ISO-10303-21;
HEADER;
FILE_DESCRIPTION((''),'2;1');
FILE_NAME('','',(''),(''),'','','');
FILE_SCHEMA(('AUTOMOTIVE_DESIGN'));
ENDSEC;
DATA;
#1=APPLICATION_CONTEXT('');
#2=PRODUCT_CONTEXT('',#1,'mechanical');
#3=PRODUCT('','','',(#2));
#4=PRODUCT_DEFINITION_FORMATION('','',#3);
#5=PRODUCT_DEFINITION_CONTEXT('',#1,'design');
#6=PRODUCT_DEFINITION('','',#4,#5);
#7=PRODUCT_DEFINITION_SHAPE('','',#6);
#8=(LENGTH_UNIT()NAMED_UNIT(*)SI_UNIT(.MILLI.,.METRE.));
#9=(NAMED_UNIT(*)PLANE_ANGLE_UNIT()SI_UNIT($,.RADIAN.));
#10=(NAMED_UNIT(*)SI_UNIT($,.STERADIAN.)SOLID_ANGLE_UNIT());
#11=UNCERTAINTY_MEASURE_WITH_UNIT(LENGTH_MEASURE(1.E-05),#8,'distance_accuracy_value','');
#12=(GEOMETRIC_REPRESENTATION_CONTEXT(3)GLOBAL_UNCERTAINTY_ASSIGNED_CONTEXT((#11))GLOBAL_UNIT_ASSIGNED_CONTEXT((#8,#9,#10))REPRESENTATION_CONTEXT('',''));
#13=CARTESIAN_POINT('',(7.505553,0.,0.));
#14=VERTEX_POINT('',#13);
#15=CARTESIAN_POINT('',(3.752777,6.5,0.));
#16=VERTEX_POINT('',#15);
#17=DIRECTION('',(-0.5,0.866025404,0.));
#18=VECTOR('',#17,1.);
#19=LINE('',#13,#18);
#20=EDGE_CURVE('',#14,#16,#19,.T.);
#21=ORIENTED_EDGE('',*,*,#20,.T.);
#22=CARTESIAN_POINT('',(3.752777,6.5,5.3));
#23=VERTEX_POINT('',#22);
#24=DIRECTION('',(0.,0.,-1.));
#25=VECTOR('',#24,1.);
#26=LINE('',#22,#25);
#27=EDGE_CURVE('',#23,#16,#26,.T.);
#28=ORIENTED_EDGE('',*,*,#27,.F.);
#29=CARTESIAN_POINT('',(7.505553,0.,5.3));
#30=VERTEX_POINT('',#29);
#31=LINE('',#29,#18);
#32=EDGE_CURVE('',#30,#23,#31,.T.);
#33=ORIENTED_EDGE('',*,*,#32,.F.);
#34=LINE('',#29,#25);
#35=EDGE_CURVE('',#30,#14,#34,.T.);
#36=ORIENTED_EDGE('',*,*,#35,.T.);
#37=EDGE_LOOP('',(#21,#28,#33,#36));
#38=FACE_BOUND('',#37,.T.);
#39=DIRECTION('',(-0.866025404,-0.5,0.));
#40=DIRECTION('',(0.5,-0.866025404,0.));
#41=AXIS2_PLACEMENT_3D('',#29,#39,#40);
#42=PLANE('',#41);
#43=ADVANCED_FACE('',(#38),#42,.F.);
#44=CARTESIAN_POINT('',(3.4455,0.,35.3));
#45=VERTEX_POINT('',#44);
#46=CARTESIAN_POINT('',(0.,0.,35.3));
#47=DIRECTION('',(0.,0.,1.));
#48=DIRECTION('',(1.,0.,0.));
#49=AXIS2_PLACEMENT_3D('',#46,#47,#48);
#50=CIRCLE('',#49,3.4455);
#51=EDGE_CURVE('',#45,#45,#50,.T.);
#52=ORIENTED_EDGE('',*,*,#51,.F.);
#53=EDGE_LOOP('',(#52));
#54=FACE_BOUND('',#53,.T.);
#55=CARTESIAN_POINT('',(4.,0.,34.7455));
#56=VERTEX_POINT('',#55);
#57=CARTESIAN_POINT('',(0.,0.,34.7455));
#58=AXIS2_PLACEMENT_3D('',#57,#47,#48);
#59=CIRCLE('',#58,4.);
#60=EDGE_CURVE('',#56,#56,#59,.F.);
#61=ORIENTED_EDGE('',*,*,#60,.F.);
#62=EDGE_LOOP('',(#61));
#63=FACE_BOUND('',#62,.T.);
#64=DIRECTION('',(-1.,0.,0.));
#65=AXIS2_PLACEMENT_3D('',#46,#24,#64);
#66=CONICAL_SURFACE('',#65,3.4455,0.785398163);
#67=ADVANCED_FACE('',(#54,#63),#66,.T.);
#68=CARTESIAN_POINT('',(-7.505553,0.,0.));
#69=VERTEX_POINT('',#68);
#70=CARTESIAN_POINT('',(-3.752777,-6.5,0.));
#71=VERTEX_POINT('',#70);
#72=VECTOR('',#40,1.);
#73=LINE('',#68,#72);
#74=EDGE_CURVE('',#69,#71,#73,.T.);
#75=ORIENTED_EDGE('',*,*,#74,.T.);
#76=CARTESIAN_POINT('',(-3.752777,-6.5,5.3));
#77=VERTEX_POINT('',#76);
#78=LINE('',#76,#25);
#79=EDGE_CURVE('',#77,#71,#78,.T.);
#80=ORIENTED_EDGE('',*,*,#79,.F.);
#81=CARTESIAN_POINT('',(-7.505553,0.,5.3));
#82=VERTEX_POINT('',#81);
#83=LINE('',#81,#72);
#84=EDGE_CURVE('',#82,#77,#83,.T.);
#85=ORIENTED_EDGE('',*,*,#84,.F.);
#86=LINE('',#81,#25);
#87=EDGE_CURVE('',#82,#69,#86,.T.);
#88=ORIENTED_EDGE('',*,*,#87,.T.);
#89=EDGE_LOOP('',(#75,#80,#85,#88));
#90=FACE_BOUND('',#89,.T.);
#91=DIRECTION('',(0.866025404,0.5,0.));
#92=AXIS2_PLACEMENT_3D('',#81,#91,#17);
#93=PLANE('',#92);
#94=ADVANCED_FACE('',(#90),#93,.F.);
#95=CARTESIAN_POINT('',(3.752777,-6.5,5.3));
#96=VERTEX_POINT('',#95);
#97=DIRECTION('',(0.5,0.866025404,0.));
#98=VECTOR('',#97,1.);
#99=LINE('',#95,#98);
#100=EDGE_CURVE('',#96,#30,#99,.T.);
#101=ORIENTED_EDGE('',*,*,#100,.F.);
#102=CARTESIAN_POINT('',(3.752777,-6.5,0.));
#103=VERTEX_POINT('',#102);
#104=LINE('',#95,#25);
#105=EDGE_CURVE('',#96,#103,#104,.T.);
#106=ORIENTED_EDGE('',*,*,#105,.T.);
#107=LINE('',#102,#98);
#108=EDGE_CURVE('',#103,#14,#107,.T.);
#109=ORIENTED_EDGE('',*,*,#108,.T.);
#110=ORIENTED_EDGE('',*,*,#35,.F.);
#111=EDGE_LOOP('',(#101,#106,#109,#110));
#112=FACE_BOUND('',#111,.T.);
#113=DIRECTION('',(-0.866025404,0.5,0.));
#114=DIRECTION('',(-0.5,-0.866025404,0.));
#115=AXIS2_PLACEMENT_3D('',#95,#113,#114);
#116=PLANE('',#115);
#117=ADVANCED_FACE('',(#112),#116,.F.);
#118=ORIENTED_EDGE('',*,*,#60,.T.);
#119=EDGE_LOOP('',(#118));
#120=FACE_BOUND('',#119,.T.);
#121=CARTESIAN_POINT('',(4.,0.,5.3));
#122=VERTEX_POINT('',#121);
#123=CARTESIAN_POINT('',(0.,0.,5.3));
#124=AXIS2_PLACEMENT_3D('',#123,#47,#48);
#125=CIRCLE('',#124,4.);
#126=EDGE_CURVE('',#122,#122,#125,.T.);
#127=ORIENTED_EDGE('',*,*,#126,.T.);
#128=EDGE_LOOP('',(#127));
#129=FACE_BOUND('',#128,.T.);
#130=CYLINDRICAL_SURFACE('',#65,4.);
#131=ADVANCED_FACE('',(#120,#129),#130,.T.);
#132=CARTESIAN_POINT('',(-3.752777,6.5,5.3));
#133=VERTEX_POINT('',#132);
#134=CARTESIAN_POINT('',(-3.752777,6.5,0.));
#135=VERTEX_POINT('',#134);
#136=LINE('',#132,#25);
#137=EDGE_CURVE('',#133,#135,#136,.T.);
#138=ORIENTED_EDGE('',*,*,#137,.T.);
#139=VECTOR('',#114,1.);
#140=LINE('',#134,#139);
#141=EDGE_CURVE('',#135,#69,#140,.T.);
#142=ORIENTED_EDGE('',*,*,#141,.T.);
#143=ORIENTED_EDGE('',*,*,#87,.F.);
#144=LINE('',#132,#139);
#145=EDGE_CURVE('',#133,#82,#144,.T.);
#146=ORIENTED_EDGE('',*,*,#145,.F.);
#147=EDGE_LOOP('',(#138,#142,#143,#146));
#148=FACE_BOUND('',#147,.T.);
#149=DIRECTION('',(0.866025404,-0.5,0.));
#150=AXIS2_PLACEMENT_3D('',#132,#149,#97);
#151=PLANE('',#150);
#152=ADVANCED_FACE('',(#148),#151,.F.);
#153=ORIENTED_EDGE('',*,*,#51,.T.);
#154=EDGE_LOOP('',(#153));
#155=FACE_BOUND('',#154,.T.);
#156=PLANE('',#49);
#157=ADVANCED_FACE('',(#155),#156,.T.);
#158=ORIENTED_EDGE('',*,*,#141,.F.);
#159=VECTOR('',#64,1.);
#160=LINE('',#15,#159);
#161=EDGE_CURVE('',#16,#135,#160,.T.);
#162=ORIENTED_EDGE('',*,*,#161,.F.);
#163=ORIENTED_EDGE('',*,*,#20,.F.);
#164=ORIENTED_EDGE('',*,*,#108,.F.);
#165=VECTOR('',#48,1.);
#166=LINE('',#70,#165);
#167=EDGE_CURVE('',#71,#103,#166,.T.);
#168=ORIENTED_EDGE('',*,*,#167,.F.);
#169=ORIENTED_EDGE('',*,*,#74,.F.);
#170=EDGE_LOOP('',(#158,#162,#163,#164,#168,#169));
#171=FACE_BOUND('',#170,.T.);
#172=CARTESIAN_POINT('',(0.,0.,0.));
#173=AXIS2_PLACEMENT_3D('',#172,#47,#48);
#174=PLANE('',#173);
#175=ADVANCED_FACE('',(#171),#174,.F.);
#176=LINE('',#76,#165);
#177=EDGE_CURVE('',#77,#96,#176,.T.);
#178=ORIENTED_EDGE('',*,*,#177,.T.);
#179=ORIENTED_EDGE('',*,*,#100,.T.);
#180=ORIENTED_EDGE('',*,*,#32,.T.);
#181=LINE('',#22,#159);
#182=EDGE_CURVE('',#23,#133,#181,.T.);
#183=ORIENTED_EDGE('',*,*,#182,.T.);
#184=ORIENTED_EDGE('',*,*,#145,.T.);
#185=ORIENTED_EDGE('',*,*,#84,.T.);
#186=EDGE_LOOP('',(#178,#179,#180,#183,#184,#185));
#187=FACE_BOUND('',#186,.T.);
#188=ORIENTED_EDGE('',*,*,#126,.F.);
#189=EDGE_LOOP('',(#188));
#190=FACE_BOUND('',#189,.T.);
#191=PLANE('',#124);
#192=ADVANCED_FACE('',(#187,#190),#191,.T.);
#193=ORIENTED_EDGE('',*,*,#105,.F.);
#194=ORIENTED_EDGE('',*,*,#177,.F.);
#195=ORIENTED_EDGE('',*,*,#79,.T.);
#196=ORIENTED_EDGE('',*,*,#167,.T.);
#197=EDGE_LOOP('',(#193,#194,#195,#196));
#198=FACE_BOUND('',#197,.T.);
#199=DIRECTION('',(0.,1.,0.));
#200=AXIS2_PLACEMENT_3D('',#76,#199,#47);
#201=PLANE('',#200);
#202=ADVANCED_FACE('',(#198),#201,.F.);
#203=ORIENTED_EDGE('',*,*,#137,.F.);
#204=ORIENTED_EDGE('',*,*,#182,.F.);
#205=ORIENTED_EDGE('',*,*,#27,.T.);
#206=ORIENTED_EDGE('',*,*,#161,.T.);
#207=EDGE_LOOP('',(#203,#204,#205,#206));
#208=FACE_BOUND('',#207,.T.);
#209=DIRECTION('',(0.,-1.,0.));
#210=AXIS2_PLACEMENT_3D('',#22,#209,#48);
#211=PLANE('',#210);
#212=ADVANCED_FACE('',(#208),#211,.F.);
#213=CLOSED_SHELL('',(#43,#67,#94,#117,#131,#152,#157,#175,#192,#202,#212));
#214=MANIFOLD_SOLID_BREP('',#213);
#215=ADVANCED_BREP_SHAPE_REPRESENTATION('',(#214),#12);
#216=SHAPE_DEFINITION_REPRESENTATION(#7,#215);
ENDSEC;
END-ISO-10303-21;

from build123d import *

# Parameters (mm, degrees)
EXTRUDE_1_DEPTH = 5.3
SKETCH_2_R      = 4
EXTRUDE_2_DEPTH = 30
CHAMFER_1_SIZE  = 0.5545


with BuildPart() as part:
    # Эскиз1 → Бобышка-Вытянуть1 (new body)
    with BuildSketch(Plane.XY):
        Polygon((3.75277675, 6.5), (-3.75277675, 6.5), (-7.505553499, 0), (-3.75277675, -6.5), (3.75277675, -6.5), (7.505553499, 0), align=None)
    extrude(amount=EXTRUDE_1_DEPTH)

    # Эскиз2 → Бобышка-Вытянуть2 (add)
    with BuildSketch(Plane.XY.offset(5.3)):
        Circle(SKETCH_2_R)
    extrude(amount=EXTRUDE_2_DEPTH)

    # Фаска1
    chamfer_1_edges = [part.edges().sort_by_distance(p)[0] for p in [
        (-4, 0, 35.3),
    ]]
    chamfer(chamfer_1_edges, length=CHAMFER_1_SIZE)


solid = part.part
